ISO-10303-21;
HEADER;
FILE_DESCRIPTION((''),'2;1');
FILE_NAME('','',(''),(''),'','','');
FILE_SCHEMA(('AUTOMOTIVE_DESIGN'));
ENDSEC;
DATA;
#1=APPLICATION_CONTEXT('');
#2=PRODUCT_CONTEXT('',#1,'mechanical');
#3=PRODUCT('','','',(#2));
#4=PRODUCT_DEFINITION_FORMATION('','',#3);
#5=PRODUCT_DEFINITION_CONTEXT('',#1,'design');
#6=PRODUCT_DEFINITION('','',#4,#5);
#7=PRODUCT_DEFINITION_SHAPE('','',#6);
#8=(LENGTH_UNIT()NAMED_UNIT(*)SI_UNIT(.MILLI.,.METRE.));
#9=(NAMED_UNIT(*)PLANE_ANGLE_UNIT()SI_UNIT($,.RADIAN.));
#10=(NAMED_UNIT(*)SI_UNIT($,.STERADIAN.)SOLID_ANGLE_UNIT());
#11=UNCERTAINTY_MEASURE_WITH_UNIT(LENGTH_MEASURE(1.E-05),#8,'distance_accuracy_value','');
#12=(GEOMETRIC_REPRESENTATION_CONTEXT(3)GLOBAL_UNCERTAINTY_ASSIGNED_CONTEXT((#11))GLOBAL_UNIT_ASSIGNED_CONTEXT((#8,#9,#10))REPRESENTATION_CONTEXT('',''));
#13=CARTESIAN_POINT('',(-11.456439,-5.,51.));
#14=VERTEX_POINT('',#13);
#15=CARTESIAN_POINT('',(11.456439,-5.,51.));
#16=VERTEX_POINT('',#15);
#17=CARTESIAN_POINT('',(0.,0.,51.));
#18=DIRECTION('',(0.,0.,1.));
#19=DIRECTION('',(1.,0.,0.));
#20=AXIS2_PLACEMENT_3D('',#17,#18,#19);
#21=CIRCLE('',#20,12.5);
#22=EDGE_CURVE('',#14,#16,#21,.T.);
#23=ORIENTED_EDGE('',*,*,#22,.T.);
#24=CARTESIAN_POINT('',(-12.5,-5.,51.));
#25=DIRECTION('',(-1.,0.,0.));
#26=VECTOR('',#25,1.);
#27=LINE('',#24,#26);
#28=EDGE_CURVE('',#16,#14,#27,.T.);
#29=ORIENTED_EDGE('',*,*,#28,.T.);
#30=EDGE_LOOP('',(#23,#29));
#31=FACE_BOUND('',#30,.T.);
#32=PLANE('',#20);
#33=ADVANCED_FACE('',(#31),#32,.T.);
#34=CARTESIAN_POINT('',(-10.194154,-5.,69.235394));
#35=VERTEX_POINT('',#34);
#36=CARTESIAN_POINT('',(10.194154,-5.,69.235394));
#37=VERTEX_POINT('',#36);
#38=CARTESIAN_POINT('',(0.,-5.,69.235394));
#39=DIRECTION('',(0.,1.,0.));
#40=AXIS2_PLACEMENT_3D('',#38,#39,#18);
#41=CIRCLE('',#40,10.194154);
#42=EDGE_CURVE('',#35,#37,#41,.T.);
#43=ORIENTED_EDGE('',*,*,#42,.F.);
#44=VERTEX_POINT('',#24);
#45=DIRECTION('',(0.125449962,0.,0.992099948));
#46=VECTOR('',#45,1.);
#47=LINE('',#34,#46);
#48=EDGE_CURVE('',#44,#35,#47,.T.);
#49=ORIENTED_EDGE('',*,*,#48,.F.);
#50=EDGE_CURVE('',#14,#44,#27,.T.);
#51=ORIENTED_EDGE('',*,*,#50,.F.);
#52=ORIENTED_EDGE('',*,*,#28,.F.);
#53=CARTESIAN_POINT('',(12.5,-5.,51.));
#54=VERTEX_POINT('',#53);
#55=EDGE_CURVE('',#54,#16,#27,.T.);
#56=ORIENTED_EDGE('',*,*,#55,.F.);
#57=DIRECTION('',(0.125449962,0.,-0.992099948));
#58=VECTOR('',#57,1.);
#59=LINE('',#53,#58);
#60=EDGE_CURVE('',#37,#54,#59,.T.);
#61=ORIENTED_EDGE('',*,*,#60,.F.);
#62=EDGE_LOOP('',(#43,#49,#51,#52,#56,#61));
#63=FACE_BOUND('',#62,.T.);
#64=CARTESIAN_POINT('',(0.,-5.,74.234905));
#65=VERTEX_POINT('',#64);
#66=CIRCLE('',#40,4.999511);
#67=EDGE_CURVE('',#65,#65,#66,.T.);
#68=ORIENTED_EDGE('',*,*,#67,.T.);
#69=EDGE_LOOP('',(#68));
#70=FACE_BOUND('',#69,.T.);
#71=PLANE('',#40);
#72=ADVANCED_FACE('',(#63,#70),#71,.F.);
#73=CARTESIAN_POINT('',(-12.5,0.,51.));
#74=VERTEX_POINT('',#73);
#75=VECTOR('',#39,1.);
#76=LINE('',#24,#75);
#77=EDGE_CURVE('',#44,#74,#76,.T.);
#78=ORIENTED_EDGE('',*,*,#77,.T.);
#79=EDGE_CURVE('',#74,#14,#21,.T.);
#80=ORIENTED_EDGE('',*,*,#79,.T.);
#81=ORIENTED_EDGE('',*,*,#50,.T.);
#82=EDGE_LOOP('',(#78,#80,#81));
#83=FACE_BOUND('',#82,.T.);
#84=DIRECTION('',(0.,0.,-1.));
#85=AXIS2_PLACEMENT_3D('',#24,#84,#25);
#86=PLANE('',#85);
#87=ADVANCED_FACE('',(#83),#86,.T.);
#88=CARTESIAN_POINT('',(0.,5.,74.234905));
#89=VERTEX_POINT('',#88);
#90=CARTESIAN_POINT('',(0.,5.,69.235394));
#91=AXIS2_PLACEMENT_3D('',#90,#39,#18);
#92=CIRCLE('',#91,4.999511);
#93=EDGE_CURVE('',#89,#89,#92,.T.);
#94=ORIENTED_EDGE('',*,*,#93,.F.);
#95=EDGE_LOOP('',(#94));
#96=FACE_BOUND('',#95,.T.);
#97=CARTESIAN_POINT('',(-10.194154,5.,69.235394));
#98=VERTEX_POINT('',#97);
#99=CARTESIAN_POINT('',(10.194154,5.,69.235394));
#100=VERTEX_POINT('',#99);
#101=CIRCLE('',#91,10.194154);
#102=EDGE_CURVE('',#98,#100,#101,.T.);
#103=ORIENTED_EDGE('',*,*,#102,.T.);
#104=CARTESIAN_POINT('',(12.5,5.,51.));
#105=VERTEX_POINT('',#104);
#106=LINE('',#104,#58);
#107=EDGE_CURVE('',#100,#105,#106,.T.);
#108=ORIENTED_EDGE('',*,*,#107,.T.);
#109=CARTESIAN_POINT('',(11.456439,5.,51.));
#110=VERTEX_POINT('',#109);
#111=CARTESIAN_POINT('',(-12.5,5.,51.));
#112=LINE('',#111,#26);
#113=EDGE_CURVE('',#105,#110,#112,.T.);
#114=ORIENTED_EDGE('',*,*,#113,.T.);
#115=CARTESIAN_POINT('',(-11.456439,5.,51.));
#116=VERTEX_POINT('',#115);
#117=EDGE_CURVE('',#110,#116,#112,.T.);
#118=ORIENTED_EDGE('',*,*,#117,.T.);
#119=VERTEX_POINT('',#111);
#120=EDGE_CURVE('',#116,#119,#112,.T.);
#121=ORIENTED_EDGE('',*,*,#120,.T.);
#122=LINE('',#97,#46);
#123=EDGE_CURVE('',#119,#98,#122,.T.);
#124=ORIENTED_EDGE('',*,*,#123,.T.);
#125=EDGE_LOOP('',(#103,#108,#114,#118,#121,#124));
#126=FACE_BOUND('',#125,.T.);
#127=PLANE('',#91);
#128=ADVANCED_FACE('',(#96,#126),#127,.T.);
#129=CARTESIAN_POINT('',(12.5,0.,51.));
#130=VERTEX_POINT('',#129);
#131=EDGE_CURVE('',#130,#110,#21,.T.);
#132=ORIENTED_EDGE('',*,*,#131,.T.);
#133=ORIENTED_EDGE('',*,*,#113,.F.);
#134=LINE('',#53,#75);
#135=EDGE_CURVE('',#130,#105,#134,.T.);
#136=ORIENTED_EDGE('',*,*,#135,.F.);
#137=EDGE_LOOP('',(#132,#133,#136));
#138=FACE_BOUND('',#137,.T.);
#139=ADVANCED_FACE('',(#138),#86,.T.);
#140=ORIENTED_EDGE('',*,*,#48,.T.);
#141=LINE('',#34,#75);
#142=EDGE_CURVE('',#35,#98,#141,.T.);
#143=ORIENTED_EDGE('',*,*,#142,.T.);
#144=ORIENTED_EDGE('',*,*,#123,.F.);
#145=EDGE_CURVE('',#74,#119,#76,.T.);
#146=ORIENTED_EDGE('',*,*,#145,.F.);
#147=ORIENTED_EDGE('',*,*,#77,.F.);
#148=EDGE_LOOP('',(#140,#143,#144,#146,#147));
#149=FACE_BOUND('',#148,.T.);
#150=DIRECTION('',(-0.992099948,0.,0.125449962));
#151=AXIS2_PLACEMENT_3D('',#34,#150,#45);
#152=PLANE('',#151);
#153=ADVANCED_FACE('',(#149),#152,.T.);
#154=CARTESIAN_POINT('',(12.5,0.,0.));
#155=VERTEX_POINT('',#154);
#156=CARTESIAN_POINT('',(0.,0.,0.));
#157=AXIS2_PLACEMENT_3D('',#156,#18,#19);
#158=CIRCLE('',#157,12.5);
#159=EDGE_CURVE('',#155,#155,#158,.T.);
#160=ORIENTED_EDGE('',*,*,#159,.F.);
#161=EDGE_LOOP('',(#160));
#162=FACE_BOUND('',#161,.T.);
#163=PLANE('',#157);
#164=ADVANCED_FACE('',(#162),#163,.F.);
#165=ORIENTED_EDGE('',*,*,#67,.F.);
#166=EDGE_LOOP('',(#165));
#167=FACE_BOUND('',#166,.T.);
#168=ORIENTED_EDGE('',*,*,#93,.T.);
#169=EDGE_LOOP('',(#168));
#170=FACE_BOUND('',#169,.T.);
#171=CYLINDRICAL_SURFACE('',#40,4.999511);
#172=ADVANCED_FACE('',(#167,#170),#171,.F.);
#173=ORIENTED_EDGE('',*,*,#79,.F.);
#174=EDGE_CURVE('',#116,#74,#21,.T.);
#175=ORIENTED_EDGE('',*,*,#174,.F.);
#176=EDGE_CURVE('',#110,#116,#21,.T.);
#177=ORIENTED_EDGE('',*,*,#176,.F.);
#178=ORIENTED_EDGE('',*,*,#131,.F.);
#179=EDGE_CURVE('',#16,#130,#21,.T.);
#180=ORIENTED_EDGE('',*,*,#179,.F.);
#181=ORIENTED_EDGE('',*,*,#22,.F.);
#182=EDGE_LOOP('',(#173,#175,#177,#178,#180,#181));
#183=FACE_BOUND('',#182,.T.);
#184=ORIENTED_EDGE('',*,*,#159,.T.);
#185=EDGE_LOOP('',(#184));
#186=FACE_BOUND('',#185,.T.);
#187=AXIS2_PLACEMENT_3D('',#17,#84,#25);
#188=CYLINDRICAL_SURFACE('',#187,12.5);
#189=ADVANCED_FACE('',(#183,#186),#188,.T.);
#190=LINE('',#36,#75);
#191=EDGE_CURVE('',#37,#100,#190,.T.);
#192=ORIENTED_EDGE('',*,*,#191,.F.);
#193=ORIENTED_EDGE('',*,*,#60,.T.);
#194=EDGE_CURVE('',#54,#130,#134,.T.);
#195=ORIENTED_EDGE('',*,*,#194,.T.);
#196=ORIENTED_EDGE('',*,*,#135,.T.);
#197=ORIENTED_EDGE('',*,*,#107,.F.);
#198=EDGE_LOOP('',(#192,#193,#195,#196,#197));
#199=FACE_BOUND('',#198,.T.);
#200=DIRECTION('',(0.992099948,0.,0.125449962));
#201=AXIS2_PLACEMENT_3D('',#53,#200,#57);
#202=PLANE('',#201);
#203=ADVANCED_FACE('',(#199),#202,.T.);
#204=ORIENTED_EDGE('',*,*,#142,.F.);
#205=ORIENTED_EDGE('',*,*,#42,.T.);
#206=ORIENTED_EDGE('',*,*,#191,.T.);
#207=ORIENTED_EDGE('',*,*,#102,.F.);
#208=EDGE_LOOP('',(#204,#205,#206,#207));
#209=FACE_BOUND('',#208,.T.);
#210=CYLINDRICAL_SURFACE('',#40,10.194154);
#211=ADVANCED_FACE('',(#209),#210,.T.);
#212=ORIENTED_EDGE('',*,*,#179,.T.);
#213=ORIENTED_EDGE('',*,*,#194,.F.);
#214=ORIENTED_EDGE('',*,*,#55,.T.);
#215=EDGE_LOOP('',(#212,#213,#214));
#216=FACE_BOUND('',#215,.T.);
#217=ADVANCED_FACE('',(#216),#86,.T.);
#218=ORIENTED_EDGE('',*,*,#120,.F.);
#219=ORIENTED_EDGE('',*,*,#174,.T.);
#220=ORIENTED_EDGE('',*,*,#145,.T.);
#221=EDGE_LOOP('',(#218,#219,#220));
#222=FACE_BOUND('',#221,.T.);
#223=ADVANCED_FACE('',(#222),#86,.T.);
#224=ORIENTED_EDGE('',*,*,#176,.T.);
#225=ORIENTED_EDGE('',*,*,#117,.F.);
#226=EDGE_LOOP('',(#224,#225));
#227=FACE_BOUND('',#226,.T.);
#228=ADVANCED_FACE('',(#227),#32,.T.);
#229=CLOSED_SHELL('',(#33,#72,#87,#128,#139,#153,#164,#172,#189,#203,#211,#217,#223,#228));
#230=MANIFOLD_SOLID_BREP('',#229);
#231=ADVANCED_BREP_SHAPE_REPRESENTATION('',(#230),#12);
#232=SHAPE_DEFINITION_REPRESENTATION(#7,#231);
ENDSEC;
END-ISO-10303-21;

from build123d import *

# Parameters (mm, degrees)
SKETCH_1_R           = 12.5
EXTRUDE_1_DEPTH      = 51
EXTRUDE_2_DEPTH      = 5
EXTRUDE_2_DEPTH_BACK = 5
SKETCH_2_R           = 4.999511077


with BuildPart() as part:
    # Эскиз1 → Бобышка-Вытянуть1 (new body)
    with BuildSketch(Plane.XY):
        Circle(SKETCH_1_R)
    extrude(amount=EXTRUDE_1_DEPTH)

    # Эскиз2 → Бобышка-Вытянуть2 (add, two sides: drawn at the far end of the back side and taken through both)
    with BuildSketch(Plane(origin=(0, 0, 0), x_dir=(0, 0, -1), z_dir=(0, 1, 0)).offset(-EXTRUDE_2_DEPTH_BACK)):
        with BuildLine():
            Line((-69.235394105, 10.194154198), (-51, 12.5))
            Line((-51, 12.5), (-51, -12.5))
            Line((-51, -12.5), (-69.235394105, -10.194154198))
            ThreePointArc((-69.235394105, -10.194154198), (-79.429548303, 0), (-69.235394105, 10.194154198))
        make_face()
        with Locations((-69.235394105, 0)):
            Circle(SKETCH_2_R, mode=Mode.SUBTRACT)
    extrude(amount=EXTRUDE_2_DEPTH + EXTRUDE_2_DEPTH_BACK)


solid = part.part
